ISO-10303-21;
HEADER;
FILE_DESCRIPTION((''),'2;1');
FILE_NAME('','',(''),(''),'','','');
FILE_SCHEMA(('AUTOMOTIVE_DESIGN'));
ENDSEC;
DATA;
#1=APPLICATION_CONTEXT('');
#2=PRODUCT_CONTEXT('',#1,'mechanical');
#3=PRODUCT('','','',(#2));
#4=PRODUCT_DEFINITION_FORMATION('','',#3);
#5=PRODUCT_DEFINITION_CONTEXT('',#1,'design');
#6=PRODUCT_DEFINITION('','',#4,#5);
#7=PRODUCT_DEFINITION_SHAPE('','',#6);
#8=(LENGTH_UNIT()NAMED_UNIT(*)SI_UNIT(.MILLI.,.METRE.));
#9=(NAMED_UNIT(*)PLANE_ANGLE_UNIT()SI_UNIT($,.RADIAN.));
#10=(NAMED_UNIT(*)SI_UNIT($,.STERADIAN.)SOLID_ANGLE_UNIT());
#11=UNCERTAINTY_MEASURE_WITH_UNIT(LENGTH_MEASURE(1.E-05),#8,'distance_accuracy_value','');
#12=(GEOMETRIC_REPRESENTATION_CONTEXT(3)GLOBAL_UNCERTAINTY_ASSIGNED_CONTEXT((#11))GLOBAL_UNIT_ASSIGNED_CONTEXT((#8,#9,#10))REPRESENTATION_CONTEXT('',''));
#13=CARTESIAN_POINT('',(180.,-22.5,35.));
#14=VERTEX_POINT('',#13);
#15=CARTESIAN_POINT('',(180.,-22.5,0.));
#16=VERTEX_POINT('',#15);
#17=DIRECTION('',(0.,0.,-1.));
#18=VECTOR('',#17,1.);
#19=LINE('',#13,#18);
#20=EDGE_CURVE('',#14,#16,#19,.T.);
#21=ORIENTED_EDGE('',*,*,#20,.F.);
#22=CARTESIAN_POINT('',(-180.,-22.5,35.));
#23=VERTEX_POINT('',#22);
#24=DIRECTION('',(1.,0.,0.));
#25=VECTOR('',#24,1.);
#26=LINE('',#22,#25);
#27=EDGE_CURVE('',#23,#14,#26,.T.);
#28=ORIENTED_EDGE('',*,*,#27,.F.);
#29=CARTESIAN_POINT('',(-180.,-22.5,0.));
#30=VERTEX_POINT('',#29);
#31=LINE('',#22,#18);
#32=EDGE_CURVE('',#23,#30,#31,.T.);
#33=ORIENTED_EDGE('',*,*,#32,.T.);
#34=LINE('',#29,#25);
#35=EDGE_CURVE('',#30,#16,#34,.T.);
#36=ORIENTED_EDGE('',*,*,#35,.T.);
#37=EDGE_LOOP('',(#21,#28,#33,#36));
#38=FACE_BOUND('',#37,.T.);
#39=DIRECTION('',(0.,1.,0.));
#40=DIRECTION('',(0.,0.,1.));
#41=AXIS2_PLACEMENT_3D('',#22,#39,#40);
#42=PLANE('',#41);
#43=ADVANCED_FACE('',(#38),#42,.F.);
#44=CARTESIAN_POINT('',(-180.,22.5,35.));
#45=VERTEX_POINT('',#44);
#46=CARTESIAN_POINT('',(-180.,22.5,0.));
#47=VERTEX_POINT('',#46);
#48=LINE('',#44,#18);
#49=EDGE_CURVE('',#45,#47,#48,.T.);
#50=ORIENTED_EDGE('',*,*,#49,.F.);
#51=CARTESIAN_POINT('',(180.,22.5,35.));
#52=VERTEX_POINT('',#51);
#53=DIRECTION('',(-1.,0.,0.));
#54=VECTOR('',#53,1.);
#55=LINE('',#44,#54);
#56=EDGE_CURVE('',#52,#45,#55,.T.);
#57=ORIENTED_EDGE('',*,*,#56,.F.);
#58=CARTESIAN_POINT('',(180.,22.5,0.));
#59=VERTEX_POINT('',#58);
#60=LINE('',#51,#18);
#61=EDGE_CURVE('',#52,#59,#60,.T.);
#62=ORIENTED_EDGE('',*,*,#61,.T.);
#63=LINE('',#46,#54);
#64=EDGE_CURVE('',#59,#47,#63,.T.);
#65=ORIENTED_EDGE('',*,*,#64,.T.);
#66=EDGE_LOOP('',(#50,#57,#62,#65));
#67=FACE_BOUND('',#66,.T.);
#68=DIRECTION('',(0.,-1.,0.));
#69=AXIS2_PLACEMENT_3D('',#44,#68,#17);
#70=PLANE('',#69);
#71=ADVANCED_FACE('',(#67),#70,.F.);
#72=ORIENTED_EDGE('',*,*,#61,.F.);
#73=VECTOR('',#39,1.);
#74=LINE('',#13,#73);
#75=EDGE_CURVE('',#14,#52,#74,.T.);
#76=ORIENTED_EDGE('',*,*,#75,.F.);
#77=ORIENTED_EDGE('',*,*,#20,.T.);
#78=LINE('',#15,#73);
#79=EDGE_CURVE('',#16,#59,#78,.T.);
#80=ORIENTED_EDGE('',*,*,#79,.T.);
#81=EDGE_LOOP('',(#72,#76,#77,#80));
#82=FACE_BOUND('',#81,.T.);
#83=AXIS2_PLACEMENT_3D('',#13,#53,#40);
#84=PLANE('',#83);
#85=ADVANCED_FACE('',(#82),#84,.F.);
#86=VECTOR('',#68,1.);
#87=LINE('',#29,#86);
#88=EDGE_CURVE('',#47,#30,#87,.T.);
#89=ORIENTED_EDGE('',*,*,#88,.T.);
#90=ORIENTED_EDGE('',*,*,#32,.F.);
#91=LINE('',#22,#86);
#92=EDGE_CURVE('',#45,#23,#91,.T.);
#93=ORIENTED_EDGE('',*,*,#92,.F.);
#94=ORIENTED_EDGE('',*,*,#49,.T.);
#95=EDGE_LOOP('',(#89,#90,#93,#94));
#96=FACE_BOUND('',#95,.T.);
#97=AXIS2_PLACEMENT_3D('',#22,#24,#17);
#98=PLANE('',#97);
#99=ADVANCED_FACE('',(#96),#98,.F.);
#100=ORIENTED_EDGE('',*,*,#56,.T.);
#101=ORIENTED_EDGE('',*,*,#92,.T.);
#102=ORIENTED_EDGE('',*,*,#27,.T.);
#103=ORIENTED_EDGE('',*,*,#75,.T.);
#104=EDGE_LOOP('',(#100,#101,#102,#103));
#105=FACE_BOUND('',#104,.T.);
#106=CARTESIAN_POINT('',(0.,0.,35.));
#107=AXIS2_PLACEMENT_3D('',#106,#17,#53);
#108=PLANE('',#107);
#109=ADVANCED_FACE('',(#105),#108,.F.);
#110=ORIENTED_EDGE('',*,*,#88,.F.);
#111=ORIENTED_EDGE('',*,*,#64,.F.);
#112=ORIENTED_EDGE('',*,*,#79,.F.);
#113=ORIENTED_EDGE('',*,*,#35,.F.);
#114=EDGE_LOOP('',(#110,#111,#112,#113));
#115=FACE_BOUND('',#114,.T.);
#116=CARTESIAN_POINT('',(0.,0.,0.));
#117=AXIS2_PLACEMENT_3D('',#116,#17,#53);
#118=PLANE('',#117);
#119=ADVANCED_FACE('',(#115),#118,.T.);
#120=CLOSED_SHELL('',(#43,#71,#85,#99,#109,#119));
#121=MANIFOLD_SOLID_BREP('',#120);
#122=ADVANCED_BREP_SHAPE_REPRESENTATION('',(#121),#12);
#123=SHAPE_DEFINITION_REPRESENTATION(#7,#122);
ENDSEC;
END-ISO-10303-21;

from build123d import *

# Parameters (mm, degrees)
SKETCH_1_W      = 360
SKETCH_1_H      = 45
EXTRUDE_1_DEPTH = 35


with BuildPart() as part:
    # 草图1 → 凸台-拉伸1 (new body)
    with BuildSketch(Plane.XY):
        Rectangle(SKETCH_1_W, SKETCH_1_H)
    extrude(amount=EXTRUDE_1_DEPTH)


solid = part.part
